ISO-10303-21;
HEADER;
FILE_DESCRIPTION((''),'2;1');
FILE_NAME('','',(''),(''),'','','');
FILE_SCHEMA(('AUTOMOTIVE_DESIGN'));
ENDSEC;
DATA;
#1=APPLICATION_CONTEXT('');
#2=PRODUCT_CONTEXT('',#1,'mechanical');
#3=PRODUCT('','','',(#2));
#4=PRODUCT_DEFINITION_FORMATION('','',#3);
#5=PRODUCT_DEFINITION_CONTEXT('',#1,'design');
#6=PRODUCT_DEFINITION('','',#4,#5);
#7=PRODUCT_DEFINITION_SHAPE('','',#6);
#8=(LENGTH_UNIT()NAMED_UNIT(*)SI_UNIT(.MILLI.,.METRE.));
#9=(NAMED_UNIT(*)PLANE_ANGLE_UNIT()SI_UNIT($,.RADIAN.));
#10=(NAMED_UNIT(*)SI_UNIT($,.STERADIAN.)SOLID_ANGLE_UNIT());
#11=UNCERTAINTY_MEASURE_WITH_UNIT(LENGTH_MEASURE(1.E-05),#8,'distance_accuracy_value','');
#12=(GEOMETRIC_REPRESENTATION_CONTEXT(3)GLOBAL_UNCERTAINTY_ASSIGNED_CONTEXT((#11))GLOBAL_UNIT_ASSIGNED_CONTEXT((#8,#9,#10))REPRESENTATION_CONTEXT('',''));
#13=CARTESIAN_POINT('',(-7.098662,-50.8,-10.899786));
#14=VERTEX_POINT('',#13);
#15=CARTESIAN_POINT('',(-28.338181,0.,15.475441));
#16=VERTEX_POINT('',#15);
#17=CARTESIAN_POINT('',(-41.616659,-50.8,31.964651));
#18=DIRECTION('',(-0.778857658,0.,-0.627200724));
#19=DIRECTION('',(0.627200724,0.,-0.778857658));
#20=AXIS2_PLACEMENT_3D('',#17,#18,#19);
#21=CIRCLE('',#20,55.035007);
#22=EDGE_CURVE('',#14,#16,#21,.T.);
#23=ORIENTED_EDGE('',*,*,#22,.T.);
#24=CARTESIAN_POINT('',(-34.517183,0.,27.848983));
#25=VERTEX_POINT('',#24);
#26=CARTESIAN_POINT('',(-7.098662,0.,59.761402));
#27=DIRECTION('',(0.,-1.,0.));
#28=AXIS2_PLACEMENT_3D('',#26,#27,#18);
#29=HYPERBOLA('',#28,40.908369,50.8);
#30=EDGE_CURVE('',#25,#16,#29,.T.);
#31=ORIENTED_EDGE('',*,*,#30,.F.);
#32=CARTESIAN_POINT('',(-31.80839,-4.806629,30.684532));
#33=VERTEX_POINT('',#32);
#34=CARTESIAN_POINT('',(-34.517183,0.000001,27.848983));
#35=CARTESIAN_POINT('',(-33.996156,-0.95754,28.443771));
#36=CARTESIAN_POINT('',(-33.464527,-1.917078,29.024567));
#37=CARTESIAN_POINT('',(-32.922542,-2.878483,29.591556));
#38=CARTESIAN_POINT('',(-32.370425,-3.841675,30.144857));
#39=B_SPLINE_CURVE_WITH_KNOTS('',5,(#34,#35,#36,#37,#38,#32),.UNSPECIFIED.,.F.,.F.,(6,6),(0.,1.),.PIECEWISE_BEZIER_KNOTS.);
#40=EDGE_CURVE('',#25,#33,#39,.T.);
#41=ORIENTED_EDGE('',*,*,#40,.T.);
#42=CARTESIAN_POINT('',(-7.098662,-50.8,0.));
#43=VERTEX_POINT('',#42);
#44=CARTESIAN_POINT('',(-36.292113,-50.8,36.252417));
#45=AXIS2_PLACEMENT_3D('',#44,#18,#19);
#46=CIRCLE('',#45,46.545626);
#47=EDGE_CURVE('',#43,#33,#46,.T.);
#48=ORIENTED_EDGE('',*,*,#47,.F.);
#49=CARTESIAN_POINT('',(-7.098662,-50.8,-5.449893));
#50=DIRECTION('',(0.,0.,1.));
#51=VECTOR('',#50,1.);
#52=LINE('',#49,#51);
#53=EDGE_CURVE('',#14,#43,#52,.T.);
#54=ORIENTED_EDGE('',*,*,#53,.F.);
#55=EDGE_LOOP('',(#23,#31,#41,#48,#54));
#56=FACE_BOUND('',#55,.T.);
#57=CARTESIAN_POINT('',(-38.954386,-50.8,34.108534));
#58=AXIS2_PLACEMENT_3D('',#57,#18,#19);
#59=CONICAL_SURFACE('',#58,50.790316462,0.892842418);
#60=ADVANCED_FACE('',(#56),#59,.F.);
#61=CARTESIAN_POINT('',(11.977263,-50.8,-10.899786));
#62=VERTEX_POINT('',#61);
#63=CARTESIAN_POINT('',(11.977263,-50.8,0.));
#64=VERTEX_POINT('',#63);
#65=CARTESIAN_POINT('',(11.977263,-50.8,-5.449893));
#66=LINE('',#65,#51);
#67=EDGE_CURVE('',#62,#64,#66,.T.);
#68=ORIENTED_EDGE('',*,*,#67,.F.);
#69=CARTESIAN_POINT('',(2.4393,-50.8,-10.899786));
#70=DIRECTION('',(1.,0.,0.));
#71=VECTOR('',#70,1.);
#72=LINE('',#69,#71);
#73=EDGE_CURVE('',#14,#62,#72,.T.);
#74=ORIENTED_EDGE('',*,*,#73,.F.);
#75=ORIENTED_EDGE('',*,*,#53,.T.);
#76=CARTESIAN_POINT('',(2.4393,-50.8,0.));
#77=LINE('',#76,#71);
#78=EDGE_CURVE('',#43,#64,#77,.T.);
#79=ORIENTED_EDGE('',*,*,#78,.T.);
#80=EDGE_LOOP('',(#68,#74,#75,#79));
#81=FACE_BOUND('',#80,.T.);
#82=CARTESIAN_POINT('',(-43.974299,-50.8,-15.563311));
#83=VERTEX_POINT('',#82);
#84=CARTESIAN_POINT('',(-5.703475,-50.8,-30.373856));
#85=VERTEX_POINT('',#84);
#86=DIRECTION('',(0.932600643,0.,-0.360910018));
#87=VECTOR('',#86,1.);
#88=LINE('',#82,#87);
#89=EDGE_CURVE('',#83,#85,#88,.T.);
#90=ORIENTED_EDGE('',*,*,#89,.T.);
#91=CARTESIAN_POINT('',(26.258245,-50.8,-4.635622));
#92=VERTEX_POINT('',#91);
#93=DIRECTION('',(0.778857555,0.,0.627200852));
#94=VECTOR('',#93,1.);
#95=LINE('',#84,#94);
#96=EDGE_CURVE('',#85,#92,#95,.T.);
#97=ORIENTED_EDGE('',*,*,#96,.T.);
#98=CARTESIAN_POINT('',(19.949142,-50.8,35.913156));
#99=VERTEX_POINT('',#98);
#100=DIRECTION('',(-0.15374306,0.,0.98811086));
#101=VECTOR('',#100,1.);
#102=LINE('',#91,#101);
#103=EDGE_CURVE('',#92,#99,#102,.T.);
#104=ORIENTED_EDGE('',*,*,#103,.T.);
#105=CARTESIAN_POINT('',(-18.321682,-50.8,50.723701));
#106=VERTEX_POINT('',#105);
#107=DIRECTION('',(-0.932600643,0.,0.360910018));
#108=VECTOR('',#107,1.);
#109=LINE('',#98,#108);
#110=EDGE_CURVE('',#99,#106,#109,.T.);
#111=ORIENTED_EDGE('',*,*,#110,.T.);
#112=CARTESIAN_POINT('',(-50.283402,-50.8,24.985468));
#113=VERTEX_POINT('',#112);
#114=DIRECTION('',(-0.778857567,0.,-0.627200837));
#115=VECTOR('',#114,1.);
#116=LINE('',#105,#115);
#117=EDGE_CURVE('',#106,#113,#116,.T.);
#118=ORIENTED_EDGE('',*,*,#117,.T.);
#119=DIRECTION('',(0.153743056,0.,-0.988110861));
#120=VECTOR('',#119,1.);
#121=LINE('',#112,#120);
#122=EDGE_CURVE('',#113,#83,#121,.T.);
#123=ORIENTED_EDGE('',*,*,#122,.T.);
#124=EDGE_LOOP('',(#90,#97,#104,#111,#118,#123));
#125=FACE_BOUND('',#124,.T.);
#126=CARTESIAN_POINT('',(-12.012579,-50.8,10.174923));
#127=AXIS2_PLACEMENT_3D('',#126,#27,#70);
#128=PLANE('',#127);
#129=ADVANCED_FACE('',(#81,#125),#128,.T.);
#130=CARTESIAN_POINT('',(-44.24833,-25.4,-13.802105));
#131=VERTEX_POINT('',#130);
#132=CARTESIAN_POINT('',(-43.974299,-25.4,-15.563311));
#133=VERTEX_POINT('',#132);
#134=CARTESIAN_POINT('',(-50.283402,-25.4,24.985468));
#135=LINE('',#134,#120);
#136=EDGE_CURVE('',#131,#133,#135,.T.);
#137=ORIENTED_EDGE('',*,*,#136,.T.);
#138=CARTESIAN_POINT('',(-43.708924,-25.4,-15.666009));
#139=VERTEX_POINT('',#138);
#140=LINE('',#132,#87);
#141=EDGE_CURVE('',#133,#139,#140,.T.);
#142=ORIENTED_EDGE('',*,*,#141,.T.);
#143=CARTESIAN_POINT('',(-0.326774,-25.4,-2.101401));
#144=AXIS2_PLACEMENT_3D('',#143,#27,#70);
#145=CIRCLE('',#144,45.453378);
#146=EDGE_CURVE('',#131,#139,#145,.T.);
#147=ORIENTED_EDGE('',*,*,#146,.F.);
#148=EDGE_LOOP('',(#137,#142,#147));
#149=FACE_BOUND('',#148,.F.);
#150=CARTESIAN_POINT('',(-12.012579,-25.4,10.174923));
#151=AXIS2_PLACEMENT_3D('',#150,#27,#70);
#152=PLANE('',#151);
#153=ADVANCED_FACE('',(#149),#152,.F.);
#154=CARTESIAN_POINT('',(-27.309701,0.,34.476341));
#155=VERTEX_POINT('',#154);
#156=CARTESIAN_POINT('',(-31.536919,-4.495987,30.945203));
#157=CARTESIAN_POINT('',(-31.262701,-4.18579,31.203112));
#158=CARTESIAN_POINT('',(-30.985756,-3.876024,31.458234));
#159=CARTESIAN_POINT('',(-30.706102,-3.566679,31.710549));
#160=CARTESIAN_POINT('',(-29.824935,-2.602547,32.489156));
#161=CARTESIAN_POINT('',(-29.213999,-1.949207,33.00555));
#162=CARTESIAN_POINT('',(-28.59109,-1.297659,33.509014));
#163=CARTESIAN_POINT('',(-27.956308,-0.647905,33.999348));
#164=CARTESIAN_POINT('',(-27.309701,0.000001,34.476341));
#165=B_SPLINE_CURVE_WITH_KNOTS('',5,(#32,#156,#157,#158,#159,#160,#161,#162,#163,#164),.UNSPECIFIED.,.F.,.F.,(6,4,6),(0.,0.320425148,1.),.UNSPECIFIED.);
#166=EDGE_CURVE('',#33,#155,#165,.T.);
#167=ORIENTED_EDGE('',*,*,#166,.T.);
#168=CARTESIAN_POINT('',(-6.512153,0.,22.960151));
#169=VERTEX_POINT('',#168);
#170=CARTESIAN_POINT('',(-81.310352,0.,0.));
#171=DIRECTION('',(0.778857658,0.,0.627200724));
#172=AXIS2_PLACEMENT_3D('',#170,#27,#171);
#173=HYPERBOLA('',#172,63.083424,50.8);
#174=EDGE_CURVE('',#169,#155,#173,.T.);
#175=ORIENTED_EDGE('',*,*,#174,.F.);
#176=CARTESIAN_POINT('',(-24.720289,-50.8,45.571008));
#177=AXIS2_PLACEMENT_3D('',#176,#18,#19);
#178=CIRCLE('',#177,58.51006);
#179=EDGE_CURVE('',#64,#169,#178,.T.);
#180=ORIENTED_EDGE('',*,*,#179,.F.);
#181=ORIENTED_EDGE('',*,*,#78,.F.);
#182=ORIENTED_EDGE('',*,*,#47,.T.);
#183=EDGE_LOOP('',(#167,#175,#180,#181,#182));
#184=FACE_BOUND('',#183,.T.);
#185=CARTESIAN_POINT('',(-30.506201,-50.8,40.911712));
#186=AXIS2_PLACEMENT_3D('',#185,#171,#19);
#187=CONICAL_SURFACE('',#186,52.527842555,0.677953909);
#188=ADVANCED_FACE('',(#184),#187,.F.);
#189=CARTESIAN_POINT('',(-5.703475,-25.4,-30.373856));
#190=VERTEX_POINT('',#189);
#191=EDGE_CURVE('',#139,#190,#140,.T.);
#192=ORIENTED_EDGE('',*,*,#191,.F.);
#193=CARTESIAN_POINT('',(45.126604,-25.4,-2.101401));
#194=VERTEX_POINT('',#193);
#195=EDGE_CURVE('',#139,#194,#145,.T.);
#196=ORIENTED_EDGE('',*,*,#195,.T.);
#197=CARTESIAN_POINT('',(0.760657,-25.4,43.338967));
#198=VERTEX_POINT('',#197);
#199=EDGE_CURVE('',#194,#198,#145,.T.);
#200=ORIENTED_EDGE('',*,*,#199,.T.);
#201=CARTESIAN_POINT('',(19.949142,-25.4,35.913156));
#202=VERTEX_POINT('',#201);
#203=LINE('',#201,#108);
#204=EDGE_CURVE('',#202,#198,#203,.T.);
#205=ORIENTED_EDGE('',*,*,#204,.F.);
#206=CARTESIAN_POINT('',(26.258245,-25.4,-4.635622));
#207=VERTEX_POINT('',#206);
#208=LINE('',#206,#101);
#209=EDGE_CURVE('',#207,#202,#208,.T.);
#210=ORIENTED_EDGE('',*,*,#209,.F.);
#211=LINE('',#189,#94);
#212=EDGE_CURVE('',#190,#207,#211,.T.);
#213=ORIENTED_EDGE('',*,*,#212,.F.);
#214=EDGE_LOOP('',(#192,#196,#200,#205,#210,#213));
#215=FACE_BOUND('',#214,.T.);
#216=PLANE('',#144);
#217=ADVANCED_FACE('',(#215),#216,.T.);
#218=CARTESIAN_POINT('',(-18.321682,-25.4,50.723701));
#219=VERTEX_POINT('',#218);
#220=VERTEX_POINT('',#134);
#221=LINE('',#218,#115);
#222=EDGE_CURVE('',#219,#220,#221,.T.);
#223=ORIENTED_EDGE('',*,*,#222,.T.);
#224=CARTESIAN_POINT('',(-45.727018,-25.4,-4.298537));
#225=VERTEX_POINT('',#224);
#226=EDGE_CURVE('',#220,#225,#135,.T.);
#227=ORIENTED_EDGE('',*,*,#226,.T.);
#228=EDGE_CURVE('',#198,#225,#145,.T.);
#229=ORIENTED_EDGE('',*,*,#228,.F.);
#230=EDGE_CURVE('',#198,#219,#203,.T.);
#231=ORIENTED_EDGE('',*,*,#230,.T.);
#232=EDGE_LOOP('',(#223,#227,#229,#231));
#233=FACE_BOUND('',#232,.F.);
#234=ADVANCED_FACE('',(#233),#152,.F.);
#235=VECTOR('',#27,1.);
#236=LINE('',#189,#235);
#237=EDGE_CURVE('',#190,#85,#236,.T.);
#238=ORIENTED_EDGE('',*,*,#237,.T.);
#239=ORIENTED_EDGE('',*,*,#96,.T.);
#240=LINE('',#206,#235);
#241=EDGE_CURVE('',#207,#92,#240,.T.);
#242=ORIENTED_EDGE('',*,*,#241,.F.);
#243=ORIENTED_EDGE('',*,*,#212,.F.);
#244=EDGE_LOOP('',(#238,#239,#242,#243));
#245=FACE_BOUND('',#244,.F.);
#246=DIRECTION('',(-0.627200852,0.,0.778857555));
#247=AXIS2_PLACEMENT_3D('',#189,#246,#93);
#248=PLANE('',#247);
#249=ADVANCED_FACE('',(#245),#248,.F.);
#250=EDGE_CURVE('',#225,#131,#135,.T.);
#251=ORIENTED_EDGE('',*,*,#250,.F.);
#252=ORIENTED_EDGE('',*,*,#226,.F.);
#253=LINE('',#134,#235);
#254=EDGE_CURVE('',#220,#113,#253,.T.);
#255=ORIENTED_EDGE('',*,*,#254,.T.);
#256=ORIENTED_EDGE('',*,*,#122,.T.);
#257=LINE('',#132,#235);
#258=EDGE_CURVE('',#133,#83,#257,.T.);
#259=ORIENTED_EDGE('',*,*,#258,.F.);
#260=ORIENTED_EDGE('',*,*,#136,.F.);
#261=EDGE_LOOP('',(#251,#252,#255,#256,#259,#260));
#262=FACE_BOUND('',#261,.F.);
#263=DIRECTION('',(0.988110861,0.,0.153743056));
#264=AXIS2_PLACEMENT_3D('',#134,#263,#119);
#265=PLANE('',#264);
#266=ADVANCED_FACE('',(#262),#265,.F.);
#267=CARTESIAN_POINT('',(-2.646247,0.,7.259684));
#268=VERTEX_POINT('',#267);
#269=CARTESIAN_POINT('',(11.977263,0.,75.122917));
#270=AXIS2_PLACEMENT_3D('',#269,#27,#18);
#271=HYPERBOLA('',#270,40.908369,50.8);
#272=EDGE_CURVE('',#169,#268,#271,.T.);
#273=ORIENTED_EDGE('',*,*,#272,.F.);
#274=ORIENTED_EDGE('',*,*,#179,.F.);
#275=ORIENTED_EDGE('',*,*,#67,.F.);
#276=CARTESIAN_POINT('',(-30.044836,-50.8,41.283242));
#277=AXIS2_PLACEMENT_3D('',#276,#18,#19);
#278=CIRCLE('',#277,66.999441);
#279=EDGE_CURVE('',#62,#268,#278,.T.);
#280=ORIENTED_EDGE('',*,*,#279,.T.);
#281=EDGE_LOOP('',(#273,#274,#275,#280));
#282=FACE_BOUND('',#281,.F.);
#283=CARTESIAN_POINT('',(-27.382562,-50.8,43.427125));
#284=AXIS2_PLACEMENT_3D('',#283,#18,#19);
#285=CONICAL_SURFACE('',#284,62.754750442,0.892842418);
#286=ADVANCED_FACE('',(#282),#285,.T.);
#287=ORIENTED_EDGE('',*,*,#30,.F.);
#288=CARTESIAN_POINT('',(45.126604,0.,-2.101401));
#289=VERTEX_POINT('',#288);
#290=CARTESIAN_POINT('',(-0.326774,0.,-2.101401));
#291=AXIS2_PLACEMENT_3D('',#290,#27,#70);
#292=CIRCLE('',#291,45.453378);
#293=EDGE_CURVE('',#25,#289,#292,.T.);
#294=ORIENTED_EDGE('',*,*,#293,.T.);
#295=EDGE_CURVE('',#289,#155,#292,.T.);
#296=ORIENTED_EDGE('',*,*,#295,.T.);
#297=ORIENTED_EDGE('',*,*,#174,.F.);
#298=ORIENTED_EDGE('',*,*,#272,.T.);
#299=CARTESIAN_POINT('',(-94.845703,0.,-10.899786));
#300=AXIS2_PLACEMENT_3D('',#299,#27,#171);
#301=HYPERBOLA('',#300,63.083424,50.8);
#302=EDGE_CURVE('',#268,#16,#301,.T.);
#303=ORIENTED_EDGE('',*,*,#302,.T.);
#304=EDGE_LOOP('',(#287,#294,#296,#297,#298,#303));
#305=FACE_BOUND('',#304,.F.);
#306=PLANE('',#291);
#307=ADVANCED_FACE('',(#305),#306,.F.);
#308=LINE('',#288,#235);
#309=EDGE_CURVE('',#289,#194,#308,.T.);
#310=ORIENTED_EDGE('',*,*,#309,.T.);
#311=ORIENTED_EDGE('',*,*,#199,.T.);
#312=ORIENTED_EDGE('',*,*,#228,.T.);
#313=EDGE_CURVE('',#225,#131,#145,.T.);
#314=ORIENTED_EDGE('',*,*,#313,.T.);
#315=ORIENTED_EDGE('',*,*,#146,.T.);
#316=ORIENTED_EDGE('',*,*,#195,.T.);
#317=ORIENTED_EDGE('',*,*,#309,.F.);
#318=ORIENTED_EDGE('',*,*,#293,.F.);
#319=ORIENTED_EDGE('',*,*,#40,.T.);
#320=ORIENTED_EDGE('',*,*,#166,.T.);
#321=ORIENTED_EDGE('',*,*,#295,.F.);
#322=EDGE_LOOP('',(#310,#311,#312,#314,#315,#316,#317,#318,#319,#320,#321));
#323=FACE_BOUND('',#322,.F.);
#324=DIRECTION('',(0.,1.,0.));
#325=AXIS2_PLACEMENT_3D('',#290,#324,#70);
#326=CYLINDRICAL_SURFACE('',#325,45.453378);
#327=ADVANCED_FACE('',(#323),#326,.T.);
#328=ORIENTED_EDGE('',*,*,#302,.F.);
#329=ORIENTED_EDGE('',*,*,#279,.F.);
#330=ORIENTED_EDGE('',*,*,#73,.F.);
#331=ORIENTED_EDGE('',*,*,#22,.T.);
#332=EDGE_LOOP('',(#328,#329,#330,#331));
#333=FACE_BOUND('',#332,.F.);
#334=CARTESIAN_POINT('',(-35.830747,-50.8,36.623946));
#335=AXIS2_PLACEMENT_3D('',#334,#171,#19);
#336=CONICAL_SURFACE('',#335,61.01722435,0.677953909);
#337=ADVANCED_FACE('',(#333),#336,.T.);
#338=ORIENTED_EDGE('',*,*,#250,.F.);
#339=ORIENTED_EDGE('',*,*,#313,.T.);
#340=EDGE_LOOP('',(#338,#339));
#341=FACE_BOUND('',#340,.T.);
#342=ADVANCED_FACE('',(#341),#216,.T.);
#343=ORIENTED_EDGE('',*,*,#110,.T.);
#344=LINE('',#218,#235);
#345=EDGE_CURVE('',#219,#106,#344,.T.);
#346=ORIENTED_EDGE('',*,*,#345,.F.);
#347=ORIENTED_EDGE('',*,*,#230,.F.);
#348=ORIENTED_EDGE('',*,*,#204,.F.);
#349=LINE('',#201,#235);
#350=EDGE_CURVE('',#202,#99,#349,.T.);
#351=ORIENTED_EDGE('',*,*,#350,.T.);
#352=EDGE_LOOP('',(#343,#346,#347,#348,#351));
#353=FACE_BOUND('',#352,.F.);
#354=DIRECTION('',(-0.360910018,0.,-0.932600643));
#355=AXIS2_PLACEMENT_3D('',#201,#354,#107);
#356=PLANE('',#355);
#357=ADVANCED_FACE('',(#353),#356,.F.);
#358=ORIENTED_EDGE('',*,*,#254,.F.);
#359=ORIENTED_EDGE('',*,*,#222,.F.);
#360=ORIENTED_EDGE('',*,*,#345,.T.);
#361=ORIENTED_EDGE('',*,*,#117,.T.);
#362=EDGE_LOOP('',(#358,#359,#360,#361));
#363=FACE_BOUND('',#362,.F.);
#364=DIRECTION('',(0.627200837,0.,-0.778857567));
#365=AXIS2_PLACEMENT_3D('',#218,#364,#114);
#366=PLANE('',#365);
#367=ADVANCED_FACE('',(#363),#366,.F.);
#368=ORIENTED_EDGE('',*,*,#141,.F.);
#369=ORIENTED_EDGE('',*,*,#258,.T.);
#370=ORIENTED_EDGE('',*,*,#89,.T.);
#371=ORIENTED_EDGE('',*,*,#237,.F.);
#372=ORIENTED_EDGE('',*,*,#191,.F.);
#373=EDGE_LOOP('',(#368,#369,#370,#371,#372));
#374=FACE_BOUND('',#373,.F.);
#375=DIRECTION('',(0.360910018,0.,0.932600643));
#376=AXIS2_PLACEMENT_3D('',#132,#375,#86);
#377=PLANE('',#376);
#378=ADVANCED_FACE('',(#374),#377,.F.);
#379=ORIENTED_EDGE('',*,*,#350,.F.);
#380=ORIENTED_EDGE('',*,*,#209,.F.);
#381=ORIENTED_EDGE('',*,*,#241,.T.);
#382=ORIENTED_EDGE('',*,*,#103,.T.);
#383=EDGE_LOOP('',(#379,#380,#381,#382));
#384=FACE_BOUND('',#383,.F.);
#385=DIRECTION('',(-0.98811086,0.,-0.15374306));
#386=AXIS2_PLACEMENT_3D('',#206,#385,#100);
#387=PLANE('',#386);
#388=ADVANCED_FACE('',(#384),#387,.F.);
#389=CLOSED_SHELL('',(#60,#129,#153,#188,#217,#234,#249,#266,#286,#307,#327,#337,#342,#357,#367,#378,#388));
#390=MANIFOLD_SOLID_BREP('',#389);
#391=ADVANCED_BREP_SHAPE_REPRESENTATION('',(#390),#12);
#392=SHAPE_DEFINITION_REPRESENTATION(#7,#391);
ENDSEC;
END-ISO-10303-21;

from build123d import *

# Parameters (mm, degrees)
F0_R     = 45.453378
F1_DEPTH = 25.4
F3_DEPTH = 25.4
F4_W     = 19.075925
F4_H     = 10.899786


with BuildPart() as f1:
    # F0 (on Front) → F1 (new body)
    with BuildSketch(Plane.XZ):
        with Locations((-0.326774, -2.101401)):
            Circle(F0_R)
    extrude(amount=F1_DEPTH)

    # F2 (on face) → F3 (join)
    with BuildSketch(Plane.XZ.offset(25.4)):
        Polygon((26.258245, -4.635622), (19.949142, 35.913156), (-18.321682, 50.723701), (-50.283402, 24.985468), (-43.974299, -15.563311), (-5.703475, -30.373856), align=None)
    extrude(amount=F3_DEPTH)

    # F4 (on face) → F5 (revolve)
    with BuildSketch(Plane.XZ.offset(50.8)):
        with Locations((2.4393, -5.449893)):
            Rectangle(F4_W, F4_H)
    revolve(axis=Axis((-34.302542, -50.8, 37.854584), (-0.778858, 0, -0.627201)))


solid = f1.part
